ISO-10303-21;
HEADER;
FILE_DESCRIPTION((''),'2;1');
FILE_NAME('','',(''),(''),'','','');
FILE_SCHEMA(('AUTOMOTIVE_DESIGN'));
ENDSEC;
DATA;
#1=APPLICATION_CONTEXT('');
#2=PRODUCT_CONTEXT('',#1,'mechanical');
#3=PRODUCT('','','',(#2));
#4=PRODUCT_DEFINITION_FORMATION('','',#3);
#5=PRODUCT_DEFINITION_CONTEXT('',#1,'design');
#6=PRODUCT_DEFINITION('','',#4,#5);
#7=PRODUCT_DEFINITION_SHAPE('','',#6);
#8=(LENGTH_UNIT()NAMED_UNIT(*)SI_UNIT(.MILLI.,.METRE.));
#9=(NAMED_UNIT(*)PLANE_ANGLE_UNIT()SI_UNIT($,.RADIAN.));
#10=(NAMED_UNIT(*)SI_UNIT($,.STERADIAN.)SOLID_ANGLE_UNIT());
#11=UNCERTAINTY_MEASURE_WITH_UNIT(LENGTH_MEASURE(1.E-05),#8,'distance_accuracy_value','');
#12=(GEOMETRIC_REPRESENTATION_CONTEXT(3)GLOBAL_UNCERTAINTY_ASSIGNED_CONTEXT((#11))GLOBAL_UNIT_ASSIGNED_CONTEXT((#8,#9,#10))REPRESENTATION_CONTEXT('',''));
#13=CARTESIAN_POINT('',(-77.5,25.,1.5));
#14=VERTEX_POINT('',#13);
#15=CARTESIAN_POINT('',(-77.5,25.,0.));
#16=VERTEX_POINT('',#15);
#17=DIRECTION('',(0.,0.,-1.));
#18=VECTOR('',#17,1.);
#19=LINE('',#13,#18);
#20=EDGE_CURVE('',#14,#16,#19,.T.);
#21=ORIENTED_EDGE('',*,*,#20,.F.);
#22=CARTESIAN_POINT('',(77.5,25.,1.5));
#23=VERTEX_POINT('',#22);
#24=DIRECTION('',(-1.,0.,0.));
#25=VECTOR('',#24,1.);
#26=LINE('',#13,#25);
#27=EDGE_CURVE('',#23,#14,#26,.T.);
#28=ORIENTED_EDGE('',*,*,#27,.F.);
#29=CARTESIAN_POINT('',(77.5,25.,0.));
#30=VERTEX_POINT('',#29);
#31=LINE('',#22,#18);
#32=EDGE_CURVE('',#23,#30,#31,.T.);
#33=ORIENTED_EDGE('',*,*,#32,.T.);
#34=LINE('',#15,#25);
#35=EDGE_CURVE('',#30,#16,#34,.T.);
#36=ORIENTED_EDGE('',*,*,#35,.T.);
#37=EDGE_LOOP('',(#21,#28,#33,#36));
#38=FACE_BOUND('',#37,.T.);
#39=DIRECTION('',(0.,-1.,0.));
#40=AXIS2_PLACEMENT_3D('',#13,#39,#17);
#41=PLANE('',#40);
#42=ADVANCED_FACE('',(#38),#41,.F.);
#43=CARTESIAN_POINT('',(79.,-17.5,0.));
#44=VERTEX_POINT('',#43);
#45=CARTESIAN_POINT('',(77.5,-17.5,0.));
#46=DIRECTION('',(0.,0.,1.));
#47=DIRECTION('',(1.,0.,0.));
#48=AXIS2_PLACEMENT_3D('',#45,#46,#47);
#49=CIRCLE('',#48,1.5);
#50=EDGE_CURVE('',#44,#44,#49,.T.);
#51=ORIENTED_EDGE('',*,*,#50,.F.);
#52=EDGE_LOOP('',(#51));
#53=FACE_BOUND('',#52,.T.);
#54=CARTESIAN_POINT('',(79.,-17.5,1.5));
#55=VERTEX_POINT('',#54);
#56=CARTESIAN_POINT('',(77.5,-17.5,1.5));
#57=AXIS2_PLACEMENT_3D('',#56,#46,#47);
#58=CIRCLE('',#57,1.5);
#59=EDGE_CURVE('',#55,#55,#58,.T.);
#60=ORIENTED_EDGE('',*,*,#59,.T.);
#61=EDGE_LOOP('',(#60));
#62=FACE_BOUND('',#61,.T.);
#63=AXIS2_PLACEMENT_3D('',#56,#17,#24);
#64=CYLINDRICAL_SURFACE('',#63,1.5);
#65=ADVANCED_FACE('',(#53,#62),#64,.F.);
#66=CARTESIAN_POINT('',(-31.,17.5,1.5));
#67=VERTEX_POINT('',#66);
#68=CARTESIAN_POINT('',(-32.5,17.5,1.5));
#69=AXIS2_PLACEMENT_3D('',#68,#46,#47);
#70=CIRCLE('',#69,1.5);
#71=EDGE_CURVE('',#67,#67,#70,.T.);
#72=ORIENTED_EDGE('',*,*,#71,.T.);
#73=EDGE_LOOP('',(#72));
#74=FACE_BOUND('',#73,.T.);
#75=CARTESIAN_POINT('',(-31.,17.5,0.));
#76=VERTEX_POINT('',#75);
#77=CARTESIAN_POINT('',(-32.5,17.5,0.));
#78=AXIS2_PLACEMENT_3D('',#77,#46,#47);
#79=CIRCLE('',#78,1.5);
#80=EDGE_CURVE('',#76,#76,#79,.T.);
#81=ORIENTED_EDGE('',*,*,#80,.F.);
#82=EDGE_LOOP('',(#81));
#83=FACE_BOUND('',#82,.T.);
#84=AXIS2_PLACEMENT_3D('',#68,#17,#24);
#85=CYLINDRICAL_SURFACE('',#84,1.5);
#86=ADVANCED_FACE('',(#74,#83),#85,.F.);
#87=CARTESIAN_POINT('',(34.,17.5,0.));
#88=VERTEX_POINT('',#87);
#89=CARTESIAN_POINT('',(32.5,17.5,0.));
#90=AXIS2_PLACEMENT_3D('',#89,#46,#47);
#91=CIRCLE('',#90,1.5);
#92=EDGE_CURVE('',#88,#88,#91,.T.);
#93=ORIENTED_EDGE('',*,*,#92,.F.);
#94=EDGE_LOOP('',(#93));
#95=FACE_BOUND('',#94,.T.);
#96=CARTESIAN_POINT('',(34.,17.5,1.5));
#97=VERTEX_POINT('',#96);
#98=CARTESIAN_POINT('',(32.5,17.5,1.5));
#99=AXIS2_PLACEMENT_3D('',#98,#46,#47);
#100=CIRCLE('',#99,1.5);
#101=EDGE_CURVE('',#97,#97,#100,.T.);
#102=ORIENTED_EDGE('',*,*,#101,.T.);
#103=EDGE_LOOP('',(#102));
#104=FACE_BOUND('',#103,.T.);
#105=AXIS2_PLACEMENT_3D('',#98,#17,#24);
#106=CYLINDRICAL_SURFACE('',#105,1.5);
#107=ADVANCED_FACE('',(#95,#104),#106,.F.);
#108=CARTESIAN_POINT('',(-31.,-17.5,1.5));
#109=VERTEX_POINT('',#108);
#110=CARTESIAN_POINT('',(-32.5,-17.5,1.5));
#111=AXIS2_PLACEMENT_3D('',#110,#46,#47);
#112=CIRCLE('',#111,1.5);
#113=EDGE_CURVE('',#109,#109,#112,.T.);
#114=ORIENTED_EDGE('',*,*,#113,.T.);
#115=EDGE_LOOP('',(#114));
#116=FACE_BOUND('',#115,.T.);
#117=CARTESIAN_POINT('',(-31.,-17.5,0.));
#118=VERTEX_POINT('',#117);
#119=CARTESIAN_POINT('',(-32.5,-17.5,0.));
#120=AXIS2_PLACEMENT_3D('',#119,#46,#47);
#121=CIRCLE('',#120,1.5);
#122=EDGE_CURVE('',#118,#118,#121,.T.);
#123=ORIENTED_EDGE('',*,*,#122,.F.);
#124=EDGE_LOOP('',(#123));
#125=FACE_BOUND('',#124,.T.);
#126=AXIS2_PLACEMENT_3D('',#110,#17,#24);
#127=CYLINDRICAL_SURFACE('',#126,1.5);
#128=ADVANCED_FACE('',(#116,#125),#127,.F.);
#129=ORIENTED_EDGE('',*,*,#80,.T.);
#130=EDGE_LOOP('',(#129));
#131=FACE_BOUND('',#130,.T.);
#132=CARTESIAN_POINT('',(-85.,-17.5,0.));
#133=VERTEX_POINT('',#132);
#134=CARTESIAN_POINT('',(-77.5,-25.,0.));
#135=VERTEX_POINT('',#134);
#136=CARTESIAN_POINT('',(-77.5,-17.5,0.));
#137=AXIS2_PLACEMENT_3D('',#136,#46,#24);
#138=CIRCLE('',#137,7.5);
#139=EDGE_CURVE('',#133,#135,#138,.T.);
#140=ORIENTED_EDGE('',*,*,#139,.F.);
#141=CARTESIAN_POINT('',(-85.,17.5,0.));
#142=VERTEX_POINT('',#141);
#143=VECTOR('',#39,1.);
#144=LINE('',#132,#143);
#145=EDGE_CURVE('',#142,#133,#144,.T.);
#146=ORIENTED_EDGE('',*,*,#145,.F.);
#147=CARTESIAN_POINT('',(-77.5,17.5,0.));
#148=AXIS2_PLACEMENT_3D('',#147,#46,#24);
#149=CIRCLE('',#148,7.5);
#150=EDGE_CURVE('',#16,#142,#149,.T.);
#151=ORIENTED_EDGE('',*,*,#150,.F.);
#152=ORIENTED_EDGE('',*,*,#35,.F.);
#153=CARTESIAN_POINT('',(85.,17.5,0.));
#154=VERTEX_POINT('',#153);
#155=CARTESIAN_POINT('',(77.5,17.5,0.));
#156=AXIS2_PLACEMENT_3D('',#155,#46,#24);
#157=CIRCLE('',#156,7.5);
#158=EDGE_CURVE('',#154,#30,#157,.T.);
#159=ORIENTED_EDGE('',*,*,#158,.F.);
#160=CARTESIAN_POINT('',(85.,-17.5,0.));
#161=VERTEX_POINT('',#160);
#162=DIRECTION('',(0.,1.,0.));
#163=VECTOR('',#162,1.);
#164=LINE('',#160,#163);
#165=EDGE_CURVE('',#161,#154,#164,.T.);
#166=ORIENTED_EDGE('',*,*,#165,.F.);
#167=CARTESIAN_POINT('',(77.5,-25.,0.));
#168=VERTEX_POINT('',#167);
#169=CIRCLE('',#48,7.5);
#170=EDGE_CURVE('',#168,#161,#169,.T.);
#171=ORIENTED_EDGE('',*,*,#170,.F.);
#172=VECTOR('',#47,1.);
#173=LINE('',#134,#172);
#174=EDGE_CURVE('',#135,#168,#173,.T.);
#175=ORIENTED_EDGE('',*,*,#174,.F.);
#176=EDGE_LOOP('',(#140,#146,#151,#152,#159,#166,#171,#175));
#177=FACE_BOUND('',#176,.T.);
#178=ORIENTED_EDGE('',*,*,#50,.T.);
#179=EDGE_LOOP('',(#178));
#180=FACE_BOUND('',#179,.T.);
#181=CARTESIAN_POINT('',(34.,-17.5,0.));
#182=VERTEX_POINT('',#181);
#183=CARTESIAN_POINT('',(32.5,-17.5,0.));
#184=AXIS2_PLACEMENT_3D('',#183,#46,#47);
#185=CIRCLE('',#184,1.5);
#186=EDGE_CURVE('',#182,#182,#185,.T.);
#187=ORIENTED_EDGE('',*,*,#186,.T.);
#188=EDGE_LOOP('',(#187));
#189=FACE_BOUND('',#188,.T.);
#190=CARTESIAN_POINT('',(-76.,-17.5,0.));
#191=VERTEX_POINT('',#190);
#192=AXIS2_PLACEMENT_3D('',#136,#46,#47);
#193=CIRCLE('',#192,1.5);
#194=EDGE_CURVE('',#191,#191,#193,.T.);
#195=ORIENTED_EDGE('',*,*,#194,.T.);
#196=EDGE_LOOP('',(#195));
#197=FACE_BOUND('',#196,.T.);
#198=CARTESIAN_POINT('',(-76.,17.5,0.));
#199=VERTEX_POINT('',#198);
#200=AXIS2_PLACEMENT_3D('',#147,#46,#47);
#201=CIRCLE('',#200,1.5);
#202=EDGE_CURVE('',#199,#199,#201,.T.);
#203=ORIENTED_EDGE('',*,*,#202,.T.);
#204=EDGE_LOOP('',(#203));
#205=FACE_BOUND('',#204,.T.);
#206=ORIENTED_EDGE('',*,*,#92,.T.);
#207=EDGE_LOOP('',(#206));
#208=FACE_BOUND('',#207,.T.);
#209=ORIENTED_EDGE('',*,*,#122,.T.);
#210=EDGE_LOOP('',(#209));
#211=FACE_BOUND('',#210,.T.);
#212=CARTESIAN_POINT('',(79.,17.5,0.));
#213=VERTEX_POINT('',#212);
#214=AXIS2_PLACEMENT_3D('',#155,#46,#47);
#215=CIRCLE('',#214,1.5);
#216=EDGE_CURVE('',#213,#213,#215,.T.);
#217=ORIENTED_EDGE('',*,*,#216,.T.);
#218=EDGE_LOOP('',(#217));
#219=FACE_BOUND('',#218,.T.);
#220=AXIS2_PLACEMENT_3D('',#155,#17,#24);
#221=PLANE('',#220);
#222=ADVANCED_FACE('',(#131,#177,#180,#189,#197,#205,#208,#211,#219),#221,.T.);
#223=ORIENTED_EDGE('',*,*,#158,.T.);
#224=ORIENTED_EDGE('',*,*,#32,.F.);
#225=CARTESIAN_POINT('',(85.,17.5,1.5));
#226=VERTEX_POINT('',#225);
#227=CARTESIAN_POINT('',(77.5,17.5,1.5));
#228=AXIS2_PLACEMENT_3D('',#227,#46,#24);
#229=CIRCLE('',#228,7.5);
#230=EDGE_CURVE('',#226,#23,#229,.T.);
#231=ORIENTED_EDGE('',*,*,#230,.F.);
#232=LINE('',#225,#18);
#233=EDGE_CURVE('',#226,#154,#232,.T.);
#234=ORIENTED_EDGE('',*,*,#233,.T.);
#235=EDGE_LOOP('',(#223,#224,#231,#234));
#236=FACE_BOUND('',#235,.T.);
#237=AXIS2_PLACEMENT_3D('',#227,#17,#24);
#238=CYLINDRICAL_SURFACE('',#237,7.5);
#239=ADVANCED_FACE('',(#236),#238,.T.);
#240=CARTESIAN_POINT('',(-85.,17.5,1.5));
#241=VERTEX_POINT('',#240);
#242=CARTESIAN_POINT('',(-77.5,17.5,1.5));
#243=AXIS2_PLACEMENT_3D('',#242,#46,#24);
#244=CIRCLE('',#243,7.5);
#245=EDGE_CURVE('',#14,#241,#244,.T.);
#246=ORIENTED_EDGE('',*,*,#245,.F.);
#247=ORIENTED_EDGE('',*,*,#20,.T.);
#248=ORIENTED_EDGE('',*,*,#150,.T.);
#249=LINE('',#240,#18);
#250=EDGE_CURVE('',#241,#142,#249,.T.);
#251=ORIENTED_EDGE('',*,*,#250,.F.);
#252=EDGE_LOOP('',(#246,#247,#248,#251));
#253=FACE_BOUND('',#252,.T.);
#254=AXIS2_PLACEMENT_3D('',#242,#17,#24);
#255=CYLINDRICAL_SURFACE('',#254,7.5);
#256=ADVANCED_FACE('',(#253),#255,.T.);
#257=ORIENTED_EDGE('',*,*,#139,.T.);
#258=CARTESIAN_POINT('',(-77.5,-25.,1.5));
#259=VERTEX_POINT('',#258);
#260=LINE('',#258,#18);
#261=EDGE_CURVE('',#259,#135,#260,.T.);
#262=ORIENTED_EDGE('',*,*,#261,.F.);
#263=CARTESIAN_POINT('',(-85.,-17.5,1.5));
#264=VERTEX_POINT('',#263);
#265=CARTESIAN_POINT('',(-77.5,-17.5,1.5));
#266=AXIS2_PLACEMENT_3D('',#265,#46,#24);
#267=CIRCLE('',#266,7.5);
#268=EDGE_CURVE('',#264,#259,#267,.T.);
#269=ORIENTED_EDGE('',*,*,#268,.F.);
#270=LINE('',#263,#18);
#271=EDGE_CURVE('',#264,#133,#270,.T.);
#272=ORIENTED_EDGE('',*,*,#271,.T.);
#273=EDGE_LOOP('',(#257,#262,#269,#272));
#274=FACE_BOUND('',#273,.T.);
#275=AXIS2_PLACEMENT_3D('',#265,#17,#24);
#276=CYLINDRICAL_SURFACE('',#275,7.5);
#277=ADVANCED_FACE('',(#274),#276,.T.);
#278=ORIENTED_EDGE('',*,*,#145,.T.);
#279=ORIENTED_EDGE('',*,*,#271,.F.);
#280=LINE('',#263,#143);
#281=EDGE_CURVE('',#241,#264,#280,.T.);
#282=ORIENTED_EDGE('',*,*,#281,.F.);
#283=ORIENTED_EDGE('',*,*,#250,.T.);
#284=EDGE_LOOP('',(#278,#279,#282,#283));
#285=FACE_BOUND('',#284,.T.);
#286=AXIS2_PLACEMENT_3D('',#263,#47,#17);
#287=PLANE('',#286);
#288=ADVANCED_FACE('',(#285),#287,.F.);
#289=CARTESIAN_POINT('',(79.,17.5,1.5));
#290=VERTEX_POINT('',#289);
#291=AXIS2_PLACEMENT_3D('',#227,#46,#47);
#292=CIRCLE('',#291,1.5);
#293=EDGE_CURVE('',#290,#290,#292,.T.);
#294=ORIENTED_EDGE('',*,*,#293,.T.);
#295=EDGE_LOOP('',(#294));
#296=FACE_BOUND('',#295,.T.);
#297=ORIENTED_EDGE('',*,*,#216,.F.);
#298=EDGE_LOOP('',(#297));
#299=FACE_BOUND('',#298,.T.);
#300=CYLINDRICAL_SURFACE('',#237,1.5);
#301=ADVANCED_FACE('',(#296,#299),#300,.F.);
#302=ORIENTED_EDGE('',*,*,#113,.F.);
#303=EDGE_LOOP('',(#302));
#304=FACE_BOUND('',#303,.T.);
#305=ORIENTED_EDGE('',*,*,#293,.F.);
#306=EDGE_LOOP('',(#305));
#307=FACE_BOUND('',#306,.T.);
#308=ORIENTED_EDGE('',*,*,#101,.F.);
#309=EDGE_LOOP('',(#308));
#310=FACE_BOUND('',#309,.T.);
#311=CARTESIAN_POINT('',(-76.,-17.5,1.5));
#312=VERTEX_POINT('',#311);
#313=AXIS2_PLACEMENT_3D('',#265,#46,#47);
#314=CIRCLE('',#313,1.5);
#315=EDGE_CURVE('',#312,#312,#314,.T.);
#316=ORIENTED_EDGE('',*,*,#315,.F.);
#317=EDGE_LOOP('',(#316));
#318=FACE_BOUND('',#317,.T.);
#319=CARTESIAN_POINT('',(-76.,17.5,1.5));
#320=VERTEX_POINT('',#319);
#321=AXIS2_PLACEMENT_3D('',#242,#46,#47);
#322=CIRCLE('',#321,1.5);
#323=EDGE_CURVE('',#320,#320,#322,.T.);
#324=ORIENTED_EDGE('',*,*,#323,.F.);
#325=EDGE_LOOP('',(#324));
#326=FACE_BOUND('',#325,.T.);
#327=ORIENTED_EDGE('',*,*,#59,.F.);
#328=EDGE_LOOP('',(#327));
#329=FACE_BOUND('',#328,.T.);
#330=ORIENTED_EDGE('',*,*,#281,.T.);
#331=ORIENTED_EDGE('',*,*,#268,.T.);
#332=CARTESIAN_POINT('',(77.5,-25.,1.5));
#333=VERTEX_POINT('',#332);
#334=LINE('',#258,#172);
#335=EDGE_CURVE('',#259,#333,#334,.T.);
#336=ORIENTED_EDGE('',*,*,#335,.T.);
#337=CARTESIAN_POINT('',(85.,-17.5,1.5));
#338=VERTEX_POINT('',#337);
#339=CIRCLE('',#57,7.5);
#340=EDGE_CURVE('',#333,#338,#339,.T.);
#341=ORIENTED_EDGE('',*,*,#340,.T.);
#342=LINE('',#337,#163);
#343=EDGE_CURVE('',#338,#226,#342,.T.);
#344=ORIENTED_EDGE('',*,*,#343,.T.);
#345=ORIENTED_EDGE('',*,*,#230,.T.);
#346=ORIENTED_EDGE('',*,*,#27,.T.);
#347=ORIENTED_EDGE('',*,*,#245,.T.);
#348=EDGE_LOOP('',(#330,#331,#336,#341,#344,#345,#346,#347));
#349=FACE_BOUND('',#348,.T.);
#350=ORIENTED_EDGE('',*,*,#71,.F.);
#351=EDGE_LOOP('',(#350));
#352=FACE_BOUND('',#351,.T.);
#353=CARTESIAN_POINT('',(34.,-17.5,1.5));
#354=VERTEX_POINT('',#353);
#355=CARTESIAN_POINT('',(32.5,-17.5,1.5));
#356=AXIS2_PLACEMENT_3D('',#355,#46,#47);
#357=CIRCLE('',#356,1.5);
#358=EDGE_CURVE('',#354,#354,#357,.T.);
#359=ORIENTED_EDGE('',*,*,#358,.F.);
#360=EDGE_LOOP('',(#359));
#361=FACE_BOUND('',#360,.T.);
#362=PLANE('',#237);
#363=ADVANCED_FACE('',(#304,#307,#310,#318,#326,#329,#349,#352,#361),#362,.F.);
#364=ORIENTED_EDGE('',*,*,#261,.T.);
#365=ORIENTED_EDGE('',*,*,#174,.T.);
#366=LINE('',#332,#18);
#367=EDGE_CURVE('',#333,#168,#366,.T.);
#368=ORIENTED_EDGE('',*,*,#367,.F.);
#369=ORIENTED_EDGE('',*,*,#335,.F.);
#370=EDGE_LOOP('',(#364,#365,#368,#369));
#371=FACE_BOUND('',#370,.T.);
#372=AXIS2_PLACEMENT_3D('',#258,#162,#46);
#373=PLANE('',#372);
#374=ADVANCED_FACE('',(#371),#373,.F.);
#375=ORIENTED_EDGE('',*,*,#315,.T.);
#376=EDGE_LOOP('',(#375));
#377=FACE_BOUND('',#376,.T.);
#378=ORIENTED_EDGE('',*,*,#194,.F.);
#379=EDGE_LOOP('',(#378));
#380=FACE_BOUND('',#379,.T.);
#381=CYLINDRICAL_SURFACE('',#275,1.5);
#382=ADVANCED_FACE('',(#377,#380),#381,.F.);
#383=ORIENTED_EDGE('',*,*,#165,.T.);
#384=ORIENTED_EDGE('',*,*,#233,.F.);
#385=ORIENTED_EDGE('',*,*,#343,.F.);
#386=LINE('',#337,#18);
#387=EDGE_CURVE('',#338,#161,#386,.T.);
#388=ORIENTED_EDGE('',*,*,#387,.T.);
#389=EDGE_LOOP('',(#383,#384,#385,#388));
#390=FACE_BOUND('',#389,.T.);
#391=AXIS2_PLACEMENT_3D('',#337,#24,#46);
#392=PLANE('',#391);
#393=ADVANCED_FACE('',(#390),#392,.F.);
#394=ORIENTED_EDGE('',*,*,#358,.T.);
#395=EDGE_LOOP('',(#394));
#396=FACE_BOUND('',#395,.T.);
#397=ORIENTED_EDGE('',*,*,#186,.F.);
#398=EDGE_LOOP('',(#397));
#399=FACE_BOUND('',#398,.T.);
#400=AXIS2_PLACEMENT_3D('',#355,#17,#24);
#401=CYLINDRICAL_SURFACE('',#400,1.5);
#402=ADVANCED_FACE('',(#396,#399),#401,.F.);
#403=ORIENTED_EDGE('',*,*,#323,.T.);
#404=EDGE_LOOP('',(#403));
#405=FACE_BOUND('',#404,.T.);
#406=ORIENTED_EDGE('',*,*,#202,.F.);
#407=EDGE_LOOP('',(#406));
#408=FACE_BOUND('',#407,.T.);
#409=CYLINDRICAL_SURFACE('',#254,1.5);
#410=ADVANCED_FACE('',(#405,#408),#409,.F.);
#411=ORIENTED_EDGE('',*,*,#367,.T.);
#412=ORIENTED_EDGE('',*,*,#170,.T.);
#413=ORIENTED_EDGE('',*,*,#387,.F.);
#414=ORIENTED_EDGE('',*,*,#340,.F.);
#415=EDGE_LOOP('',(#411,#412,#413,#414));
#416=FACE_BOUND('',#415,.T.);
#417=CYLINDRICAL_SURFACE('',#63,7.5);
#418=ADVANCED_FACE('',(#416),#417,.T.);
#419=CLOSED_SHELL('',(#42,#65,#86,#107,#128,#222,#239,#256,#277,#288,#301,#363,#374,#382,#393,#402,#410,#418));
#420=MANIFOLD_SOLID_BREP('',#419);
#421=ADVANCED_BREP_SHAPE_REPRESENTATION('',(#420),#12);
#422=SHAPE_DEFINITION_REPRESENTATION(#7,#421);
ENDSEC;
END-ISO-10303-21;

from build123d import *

# Parameters (mm, degrees)
SKETCH1_R           = 1.5
BOSS_EXTRUDE1_DEPTH = 1.5


with BuildPart() as part:
    # Sketch1 → Boss-Extrude1 (new body)
    with BuildSketch(Plane.XY):
        with BuildLine():
            Line((-77.5, -25), (77.5, -25))
            ThreePointArc((77.5, -25), (82.803300859, -22.803300859), (85, -17.5))
            Line((85, -17.5), (85, 17.5))
            ThreePointArc((85, 17.5), (82.803300859, 22.803300859), (77.5, 25))
            Line((77.5, 25), (-77.5, 25))
            ThreePointArc((-77.5, 25), (-82.803300859, 22.803300859), (-85, 17.5))
            Line((-85, 17.5), (-85, -17.5))
            ThreePointArc((-85, -17.5), (-82.803300859, -22.803300859), (-77.5, -25))
        make_face()
        with Locations((-32.5, 17.5)):
            Circle(SKETCH1_R, mode=Mode.SUBTRACT)
        with Locations((32.5, 17.5)):
            Circle(SKETCH1_R, mode=Mode.SUBTRACT)
        with Locations((77.5, 17.5)):
            Circle(SKETCH1_R, mode=Mode.SUBTRACT)
        with Locations((-77.5, 17.5)):
            Circle(SKETCH1_R, mode=Mode.SUBTRACT)
        with Locations((-77.5, -17.5)):
            Circle(SKETCH1_R, mode=Mode.SUBTRACT)
        with Locations((-32.5, -17.5)):
            Circle(SKETCH1_R, mode=Mode.SUBTRACT)
        with Locations((32.5, -17.5)):
            Circle(SKETCH1_R, mode=Mode.SUBTRACT)
        with Locations((77.5, -17.5)):
            Circle(SKETCH1_R, mode=Mode.SUBTRACT)
    extrude(amount=BOSS_EXTRUDE1_DEPTH)


solid = part.part
